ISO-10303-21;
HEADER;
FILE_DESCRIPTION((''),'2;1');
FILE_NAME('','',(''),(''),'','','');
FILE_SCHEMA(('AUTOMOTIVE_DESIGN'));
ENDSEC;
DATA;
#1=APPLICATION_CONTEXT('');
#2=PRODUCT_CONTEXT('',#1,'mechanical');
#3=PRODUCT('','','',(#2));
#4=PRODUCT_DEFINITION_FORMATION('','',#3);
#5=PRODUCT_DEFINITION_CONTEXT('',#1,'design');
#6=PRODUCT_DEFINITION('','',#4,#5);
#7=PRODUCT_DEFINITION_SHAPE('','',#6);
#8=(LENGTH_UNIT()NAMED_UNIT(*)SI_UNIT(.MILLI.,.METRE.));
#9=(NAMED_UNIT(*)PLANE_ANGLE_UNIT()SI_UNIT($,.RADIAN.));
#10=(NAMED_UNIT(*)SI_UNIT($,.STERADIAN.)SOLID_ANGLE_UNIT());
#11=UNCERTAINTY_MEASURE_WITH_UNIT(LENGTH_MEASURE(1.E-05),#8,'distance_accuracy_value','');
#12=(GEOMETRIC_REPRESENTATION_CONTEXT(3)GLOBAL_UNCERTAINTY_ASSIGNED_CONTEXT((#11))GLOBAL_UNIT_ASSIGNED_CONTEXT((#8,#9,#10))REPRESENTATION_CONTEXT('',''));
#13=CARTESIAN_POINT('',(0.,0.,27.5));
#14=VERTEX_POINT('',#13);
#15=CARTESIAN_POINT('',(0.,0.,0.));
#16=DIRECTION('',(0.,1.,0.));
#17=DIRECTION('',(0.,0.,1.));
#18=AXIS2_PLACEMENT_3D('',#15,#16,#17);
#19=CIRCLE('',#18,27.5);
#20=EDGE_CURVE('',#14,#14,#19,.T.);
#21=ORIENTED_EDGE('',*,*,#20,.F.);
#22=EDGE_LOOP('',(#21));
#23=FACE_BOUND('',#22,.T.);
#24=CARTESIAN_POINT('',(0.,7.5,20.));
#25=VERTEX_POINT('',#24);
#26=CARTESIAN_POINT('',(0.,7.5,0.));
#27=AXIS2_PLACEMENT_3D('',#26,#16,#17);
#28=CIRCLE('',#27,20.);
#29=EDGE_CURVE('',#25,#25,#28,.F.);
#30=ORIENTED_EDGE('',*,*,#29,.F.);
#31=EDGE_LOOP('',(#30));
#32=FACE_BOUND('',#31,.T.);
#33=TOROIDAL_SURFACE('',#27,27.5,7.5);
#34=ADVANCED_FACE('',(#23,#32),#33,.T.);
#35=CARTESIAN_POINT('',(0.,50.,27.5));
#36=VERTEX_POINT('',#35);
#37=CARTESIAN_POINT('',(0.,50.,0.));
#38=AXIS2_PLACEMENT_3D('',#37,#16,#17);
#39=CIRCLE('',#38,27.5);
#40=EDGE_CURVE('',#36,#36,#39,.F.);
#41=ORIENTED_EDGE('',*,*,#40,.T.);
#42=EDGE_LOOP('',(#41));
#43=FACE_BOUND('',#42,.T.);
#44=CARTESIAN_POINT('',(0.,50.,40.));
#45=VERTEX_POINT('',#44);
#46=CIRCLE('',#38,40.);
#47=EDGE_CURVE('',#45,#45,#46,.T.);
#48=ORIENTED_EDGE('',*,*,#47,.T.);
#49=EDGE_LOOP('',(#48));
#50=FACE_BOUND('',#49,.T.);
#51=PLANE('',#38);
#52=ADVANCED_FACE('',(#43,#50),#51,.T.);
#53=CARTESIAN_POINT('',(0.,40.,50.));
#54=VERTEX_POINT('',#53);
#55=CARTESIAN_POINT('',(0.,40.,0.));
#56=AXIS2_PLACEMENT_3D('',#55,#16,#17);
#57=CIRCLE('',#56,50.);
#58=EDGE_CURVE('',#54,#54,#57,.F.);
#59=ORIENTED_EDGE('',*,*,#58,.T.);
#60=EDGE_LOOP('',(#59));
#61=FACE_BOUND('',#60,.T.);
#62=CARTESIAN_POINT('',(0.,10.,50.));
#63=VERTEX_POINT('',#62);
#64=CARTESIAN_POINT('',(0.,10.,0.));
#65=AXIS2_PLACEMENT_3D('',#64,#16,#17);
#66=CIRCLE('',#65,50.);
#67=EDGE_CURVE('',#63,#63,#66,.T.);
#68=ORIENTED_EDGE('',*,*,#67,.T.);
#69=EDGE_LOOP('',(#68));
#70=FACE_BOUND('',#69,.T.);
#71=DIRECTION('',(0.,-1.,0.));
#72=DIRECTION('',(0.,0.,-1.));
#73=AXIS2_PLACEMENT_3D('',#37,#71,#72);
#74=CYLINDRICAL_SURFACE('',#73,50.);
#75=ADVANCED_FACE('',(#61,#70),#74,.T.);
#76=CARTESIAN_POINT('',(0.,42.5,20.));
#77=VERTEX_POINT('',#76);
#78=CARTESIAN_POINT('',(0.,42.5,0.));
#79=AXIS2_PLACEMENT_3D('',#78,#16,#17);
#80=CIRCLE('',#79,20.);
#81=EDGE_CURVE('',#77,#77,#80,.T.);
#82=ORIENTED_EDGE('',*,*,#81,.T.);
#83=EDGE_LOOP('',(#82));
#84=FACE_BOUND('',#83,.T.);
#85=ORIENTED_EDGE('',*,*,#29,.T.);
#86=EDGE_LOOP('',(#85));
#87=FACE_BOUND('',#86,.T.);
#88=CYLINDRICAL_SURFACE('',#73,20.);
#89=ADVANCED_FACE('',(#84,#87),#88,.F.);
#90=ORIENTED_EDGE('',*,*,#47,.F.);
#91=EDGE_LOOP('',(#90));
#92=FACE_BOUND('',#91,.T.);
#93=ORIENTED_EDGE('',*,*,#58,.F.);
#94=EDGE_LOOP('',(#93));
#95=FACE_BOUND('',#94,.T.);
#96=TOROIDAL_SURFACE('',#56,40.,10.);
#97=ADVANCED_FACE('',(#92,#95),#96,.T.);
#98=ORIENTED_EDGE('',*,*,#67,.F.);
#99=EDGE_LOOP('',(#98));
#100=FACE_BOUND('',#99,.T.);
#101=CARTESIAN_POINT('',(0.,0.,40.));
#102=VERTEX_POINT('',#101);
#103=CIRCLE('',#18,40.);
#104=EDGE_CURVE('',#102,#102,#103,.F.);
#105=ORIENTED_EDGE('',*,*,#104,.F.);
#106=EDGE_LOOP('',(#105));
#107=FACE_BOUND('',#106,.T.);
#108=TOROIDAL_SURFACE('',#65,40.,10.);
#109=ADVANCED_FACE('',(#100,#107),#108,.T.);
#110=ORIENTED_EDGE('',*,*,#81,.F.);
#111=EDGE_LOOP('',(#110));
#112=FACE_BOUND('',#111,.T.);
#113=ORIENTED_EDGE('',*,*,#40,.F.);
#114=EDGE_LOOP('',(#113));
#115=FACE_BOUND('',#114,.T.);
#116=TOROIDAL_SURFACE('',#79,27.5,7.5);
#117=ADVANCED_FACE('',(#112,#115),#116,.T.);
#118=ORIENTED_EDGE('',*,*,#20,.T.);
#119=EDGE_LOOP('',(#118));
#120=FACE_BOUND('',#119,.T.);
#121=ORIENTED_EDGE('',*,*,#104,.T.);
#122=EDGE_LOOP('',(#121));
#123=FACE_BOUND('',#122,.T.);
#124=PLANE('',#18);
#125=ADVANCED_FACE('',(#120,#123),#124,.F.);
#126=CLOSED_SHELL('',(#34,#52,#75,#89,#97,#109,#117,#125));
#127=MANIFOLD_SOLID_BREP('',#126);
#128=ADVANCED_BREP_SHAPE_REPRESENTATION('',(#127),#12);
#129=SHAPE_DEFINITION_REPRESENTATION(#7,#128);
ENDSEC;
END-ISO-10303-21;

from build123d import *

# Parameters (mm, degrees)
CROQUIS1_R              = 50
CROQUIS1_R_2            = 20
SALIENTE_EXTRUIR3_DEPTH = 50
REDONDEO5_R             = 10
REDONDEO6_R             = 7.5


with BuildPart() as part:
    # Croquis1 → Saliente-Extruir3 (new body)
    with BuildSketch(Plane(origin=(0, 0, 0), x_dir=(1, 0, 0), z_dir=(0, 1, 0))):
        with Locations(Location((0, 0, 0), (0, 0, 270))):
            Circle(CROQUIS1_R)
        with Locations(Location((0, 0, 0), (0, 0, 270))):
            Circle(CROQUIS1_R_2, mode=Mode.SUBTRACT)
    extrude(amount=SALIENTE_EXTRUIR3_DEPTH)

    # Redondeo5
    redondeo5_edges = [part.edges().sort_by_distance(p)[0] for p in [
        (0, 0, -50),
        (0, 50, -50),
    ]]
    fillet(redondeo5_edges, radius=REDONDEO5_R)

    # Redondeo6
    redondeo6_edges = [part.edges().sort_by_distance(p)[0] for p in [
        (0, 0, -20),
        (0, 50, -20),
    ]]
    fillet(redondeo6_edges, radius=REDONDEO6_R)


solid = part.part
